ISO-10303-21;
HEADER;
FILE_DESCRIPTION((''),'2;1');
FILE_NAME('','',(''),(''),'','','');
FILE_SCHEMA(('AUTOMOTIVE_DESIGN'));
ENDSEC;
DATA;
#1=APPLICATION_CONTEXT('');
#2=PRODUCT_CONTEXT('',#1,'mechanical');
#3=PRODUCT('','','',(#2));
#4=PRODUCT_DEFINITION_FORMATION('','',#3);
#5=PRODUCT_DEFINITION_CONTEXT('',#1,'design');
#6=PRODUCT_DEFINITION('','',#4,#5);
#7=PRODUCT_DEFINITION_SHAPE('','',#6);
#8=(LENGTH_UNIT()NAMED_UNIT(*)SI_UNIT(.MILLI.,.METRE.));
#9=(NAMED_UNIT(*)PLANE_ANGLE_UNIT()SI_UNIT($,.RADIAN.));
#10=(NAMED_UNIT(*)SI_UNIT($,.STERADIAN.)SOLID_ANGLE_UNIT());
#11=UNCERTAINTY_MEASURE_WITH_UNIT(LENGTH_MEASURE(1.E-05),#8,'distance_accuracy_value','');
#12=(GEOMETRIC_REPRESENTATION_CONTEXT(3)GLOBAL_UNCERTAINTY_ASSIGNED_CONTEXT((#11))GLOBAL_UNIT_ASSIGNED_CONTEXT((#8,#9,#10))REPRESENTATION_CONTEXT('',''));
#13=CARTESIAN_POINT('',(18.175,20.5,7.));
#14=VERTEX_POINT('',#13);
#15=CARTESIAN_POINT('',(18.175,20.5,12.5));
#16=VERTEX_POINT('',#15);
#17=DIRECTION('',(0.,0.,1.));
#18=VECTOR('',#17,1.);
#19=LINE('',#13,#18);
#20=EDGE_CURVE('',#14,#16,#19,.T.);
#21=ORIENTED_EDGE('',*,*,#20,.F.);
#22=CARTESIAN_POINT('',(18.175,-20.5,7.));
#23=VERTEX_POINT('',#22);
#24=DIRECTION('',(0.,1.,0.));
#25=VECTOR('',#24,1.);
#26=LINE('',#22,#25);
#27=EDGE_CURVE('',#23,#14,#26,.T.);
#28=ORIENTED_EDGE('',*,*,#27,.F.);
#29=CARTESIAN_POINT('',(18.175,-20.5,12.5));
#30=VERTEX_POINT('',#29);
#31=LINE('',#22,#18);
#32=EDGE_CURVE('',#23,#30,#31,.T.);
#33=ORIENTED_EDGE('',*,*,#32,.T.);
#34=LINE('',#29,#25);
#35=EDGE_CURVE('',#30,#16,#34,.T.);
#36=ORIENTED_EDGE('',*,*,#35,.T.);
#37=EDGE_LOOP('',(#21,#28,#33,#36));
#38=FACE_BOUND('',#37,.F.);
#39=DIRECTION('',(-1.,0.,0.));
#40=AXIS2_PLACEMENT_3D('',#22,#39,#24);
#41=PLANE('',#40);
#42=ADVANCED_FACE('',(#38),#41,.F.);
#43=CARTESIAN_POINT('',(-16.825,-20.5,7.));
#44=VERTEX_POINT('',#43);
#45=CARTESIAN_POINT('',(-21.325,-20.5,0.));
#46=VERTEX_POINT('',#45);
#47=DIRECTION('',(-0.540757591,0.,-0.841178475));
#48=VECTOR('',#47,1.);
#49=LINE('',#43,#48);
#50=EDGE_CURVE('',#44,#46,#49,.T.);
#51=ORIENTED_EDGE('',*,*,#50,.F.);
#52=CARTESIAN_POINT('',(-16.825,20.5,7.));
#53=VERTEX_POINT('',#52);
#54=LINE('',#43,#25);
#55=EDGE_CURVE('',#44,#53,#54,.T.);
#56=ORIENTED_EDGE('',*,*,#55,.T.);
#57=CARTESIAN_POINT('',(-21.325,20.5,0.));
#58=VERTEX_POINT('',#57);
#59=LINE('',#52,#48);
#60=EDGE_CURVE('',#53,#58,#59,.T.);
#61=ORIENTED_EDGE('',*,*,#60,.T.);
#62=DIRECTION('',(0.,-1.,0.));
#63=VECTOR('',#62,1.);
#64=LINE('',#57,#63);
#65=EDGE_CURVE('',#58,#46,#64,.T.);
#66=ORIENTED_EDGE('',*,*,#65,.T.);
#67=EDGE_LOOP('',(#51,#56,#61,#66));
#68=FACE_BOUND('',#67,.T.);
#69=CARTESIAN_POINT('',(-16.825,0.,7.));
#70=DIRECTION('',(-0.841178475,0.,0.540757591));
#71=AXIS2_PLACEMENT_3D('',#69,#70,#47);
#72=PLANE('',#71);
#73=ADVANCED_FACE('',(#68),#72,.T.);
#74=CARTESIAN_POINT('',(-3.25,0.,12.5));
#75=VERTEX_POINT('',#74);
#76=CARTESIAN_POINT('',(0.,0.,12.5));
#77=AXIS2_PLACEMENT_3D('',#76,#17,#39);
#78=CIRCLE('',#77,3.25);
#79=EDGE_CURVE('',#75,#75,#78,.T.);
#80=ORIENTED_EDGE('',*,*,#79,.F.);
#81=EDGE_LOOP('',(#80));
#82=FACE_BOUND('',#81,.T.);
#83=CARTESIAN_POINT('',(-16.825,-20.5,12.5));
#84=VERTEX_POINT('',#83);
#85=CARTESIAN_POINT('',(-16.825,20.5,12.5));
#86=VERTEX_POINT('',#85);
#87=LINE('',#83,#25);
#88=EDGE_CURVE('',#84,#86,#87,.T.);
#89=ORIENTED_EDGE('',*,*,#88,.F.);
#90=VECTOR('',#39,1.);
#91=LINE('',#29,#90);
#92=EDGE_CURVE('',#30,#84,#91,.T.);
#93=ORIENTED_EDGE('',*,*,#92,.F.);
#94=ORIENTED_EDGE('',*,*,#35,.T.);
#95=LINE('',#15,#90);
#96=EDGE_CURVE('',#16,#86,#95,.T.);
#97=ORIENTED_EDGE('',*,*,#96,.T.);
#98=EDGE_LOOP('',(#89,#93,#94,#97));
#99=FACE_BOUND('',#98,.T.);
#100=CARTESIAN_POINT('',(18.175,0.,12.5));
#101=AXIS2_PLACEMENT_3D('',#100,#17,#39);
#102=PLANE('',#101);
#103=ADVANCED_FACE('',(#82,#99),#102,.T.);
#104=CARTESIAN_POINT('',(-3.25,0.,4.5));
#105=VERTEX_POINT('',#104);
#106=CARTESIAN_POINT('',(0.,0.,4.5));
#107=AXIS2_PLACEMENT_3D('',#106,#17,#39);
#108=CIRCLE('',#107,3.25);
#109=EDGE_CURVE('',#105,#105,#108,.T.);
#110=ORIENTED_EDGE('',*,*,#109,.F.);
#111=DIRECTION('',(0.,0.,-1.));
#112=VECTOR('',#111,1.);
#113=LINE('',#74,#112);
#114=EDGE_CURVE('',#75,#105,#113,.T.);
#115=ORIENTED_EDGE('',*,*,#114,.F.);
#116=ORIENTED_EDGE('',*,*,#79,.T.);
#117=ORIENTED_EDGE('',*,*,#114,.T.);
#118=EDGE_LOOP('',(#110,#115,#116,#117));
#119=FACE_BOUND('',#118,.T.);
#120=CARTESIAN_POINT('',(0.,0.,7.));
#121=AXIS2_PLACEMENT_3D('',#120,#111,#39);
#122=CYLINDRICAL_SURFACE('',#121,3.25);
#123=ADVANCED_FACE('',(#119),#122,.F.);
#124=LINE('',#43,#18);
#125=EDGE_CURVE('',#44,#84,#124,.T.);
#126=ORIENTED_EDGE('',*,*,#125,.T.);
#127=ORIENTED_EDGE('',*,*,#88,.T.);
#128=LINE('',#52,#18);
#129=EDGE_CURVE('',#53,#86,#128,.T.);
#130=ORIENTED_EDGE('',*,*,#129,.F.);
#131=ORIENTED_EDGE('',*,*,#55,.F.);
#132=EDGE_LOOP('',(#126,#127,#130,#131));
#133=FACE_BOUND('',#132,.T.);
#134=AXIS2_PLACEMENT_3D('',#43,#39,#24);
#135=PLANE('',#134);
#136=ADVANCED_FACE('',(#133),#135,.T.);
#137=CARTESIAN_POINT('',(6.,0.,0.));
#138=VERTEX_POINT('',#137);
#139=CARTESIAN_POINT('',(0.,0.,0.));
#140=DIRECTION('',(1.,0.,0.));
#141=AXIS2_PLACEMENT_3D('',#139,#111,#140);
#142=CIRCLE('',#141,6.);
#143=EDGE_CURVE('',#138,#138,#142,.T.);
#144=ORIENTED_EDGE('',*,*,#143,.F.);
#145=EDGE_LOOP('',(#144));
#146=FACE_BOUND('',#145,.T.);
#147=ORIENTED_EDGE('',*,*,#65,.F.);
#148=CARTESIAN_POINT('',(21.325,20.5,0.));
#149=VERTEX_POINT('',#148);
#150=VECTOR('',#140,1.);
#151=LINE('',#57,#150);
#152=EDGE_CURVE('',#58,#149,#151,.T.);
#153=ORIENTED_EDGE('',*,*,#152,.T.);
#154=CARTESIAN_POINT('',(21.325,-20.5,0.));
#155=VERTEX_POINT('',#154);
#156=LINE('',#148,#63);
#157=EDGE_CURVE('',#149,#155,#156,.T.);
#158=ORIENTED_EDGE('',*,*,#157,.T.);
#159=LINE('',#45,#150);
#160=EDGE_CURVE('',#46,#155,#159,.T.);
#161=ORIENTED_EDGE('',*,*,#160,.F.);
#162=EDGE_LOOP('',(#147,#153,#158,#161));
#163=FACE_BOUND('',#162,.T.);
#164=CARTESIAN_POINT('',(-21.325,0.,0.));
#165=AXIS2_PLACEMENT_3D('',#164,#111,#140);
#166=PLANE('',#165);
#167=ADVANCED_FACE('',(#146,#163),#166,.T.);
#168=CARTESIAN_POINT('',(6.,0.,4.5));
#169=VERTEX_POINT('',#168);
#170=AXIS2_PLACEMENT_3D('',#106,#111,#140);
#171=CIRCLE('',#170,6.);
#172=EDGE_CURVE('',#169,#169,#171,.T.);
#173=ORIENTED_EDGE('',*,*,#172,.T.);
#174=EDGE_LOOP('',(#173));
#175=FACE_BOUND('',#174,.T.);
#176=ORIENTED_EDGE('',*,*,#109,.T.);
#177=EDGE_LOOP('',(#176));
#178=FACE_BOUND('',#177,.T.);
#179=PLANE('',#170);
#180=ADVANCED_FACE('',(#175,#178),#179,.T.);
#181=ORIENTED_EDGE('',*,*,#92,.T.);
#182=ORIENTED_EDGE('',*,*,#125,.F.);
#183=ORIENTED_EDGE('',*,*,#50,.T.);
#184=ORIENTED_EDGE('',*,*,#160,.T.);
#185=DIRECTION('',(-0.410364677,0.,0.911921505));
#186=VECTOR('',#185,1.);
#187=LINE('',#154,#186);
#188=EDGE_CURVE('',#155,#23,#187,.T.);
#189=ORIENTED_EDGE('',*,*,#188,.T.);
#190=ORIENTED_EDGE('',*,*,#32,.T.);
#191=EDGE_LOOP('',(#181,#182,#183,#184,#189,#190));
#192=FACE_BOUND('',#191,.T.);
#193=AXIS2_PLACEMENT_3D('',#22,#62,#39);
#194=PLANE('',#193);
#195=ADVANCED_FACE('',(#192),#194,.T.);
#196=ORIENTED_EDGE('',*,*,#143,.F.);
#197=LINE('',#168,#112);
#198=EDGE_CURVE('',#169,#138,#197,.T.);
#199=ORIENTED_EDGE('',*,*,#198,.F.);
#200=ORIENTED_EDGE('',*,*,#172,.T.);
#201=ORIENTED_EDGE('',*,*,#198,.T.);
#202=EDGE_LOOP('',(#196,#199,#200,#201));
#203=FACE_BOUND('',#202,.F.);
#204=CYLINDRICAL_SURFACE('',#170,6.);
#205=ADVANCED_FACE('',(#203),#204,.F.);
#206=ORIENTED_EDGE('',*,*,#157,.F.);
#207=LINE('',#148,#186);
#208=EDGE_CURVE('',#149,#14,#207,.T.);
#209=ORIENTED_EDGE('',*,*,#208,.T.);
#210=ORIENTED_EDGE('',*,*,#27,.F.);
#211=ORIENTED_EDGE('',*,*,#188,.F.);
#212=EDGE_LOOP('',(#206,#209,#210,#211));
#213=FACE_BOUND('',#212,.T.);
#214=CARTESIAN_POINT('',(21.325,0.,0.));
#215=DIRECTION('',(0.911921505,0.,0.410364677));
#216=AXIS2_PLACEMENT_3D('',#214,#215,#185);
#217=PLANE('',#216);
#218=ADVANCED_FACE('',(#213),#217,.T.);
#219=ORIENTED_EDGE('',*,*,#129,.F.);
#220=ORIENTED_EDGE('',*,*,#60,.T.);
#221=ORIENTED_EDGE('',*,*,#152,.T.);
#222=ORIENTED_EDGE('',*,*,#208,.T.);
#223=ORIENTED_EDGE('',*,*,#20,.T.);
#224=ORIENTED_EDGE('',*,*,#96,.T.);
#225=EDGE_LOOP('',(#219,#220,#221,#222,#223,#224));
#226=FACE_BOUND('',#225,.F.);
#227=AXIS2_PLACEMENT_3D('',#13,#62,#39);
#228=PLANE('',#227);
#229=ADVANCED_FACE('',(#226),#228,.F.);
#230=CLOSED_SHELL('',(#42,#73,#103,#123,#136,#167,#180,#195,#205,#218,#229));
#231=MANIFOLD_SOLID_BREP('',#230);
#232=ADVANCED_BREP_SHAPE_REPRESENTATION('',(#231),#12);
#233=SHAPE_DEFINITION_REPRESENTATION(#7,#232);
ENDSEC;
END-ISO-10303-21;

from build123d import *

# Parameters (mm, degrees)
F1_DEPTH       = 20.5
F3_D           = 6.5
F3_CBORE_D     = 12
F3_CBORE_DEPTH = 4.5
F4_DEPTH       = 5.5


with BuildPart() as f1:
    # F0 (on Front) → F1 (new body, symmetric)
    with BuildSketch(Plane.XZ):
        Polygon((-16.825, 7), (-21.325, 0), (21.325, 0), (18.175, 7), align=None)
    extrude(amount=F1_DEPTH, both=True)

    # F3 (through all)
    with Locations(Plane(origin=(0, 0, 0), x_dir=(1, 0, 0), z_dir=(0, 0, -1))):
        with Locations((0, 0)):
            CounterBoreHole(F3_D / 2, F3_CBORE_D / 2, F3_CBORE_DEPTH)

    # F4 (add): a face of the model
    f4_faces = [f1.faces().sort_by_distance(p)[0] for p in [
        (0.675, 19.9609267211, 7),
    ]]
    extrude(f4_faces, amount=F4_DEPTH)


solid = f1.part
